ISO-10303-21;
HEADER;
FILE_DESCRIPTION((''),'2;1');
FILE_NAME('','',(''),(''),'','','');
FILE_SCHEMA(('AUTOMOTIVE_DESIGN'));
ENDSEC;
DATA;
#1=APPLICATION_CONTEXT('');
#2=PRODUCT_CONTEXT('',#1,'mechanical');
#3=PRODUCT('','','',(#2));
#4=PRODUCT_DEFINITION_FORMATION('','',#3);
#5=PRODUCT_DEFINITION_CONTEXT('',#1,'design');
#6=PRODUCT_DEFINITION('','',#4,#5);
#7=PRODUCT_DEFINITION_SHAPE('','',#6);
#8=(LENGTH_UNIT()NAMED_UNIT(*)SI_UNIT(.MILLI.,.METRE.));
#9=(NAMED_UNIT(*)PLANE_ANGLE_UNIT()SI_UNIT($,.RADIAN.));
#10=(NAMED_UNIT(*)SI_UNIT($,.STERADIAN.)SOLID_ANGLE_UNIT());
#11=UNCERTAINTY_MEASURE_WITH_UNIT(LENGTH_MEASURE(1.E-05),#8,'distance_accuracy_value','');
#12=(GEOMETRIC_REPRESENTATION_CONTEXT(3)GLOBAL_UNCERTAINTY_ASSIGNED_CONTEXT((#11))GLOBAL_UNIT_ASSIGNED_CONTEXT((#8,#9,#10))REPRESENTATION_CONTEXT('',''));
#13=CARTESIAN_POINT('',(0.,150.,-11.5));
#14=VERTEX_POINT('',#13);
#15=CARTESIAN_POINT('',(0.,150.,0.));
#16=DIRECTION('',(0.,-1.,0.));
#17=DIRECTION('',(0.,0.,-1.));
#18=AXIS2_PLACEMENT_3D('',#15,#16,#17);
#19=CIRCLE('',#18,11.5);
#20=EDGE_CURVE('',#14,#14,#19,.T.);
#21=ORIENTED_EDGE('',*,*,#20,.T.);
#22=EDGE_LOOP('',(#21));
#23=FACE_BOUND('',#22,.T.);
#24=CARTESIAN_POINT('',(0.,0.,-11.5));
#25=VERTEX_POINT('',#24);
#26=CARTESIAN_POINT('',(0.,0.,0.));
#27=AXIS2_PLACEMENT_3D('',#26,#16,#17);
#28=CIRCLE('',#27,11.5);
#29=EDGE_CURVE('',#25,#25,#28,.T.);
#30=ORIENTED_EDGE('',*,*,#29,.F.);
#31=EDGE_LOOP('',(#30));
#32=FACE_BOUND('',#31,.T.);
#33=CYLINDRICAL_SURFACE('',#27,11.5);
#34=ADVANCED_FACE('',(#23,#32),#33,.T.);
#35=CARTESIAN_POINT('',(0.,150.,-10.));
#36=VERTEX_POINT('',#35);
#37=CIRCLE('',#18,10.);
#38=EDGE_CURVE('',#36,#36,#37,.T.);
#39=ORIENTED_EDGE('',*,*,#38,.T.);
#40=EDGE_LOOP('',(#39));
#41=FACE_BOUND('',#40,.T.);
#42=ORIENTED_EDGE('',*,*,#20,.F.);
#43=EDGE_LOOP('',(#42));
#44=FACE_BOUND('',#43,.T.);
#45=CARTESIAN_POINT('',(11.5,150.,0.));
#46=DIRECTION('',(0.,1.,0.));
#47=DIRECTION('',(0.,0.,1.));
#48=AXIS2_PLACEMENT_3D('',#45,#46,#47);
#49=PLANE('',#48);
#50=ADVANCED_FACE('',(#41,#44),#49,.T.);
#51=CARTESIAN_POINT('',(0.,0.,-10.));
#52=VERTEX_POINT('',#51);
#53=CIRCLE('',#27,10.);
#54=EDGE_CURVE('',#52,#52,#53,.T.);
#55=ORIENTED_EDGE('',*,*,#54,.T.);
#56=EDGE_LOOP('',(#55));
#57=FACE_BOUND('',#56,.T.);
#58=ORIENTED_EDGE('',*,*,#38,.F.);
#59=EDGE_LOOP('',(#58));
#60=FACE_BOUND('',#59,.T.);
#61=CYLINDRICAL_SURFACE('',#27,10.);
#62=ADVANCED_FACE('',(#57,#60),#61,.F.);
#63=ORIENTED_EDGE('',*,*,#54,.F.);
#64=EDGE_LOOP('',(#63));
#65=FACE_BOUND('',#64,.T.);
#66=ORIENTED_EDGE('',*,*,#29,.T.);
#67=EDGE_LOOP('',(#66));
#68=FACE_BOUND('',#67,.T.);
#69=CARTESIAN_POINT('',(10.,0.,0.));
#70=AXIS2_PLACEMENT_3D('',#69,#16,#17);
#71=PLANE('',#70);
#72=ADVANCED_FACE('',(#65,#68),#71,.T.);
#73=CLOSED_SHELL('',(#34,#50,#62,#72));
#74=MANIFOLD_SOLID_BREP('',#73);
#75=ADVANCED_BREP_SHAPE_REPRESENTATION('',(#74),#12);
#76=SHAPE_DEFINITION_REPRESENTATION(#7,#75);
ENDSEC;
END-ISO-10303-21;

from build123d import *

# Parameters (mm, degrees)
ESQUISSE1_W = 1.5
ESQUISSE1_H = 150


with BuildPart() as part:
    # Esquisse1 → Base-Révolution (revolve)
    with BuildSketch(Plane.XY, mode=Mode.PRIVATE) as base_r_volution_sk:
        with Locations((10.75, 75)):
            Rectangle(ESQUISSE1_W, ESQUISSE1_H)
    revolve(base_r_volution_sk.sketch.rotate(Axis((0, 0, 0), (0, 1, 0)), 90), axis=Axis((0, 0, 0), (0, 1, 0)))


solid = part.part
